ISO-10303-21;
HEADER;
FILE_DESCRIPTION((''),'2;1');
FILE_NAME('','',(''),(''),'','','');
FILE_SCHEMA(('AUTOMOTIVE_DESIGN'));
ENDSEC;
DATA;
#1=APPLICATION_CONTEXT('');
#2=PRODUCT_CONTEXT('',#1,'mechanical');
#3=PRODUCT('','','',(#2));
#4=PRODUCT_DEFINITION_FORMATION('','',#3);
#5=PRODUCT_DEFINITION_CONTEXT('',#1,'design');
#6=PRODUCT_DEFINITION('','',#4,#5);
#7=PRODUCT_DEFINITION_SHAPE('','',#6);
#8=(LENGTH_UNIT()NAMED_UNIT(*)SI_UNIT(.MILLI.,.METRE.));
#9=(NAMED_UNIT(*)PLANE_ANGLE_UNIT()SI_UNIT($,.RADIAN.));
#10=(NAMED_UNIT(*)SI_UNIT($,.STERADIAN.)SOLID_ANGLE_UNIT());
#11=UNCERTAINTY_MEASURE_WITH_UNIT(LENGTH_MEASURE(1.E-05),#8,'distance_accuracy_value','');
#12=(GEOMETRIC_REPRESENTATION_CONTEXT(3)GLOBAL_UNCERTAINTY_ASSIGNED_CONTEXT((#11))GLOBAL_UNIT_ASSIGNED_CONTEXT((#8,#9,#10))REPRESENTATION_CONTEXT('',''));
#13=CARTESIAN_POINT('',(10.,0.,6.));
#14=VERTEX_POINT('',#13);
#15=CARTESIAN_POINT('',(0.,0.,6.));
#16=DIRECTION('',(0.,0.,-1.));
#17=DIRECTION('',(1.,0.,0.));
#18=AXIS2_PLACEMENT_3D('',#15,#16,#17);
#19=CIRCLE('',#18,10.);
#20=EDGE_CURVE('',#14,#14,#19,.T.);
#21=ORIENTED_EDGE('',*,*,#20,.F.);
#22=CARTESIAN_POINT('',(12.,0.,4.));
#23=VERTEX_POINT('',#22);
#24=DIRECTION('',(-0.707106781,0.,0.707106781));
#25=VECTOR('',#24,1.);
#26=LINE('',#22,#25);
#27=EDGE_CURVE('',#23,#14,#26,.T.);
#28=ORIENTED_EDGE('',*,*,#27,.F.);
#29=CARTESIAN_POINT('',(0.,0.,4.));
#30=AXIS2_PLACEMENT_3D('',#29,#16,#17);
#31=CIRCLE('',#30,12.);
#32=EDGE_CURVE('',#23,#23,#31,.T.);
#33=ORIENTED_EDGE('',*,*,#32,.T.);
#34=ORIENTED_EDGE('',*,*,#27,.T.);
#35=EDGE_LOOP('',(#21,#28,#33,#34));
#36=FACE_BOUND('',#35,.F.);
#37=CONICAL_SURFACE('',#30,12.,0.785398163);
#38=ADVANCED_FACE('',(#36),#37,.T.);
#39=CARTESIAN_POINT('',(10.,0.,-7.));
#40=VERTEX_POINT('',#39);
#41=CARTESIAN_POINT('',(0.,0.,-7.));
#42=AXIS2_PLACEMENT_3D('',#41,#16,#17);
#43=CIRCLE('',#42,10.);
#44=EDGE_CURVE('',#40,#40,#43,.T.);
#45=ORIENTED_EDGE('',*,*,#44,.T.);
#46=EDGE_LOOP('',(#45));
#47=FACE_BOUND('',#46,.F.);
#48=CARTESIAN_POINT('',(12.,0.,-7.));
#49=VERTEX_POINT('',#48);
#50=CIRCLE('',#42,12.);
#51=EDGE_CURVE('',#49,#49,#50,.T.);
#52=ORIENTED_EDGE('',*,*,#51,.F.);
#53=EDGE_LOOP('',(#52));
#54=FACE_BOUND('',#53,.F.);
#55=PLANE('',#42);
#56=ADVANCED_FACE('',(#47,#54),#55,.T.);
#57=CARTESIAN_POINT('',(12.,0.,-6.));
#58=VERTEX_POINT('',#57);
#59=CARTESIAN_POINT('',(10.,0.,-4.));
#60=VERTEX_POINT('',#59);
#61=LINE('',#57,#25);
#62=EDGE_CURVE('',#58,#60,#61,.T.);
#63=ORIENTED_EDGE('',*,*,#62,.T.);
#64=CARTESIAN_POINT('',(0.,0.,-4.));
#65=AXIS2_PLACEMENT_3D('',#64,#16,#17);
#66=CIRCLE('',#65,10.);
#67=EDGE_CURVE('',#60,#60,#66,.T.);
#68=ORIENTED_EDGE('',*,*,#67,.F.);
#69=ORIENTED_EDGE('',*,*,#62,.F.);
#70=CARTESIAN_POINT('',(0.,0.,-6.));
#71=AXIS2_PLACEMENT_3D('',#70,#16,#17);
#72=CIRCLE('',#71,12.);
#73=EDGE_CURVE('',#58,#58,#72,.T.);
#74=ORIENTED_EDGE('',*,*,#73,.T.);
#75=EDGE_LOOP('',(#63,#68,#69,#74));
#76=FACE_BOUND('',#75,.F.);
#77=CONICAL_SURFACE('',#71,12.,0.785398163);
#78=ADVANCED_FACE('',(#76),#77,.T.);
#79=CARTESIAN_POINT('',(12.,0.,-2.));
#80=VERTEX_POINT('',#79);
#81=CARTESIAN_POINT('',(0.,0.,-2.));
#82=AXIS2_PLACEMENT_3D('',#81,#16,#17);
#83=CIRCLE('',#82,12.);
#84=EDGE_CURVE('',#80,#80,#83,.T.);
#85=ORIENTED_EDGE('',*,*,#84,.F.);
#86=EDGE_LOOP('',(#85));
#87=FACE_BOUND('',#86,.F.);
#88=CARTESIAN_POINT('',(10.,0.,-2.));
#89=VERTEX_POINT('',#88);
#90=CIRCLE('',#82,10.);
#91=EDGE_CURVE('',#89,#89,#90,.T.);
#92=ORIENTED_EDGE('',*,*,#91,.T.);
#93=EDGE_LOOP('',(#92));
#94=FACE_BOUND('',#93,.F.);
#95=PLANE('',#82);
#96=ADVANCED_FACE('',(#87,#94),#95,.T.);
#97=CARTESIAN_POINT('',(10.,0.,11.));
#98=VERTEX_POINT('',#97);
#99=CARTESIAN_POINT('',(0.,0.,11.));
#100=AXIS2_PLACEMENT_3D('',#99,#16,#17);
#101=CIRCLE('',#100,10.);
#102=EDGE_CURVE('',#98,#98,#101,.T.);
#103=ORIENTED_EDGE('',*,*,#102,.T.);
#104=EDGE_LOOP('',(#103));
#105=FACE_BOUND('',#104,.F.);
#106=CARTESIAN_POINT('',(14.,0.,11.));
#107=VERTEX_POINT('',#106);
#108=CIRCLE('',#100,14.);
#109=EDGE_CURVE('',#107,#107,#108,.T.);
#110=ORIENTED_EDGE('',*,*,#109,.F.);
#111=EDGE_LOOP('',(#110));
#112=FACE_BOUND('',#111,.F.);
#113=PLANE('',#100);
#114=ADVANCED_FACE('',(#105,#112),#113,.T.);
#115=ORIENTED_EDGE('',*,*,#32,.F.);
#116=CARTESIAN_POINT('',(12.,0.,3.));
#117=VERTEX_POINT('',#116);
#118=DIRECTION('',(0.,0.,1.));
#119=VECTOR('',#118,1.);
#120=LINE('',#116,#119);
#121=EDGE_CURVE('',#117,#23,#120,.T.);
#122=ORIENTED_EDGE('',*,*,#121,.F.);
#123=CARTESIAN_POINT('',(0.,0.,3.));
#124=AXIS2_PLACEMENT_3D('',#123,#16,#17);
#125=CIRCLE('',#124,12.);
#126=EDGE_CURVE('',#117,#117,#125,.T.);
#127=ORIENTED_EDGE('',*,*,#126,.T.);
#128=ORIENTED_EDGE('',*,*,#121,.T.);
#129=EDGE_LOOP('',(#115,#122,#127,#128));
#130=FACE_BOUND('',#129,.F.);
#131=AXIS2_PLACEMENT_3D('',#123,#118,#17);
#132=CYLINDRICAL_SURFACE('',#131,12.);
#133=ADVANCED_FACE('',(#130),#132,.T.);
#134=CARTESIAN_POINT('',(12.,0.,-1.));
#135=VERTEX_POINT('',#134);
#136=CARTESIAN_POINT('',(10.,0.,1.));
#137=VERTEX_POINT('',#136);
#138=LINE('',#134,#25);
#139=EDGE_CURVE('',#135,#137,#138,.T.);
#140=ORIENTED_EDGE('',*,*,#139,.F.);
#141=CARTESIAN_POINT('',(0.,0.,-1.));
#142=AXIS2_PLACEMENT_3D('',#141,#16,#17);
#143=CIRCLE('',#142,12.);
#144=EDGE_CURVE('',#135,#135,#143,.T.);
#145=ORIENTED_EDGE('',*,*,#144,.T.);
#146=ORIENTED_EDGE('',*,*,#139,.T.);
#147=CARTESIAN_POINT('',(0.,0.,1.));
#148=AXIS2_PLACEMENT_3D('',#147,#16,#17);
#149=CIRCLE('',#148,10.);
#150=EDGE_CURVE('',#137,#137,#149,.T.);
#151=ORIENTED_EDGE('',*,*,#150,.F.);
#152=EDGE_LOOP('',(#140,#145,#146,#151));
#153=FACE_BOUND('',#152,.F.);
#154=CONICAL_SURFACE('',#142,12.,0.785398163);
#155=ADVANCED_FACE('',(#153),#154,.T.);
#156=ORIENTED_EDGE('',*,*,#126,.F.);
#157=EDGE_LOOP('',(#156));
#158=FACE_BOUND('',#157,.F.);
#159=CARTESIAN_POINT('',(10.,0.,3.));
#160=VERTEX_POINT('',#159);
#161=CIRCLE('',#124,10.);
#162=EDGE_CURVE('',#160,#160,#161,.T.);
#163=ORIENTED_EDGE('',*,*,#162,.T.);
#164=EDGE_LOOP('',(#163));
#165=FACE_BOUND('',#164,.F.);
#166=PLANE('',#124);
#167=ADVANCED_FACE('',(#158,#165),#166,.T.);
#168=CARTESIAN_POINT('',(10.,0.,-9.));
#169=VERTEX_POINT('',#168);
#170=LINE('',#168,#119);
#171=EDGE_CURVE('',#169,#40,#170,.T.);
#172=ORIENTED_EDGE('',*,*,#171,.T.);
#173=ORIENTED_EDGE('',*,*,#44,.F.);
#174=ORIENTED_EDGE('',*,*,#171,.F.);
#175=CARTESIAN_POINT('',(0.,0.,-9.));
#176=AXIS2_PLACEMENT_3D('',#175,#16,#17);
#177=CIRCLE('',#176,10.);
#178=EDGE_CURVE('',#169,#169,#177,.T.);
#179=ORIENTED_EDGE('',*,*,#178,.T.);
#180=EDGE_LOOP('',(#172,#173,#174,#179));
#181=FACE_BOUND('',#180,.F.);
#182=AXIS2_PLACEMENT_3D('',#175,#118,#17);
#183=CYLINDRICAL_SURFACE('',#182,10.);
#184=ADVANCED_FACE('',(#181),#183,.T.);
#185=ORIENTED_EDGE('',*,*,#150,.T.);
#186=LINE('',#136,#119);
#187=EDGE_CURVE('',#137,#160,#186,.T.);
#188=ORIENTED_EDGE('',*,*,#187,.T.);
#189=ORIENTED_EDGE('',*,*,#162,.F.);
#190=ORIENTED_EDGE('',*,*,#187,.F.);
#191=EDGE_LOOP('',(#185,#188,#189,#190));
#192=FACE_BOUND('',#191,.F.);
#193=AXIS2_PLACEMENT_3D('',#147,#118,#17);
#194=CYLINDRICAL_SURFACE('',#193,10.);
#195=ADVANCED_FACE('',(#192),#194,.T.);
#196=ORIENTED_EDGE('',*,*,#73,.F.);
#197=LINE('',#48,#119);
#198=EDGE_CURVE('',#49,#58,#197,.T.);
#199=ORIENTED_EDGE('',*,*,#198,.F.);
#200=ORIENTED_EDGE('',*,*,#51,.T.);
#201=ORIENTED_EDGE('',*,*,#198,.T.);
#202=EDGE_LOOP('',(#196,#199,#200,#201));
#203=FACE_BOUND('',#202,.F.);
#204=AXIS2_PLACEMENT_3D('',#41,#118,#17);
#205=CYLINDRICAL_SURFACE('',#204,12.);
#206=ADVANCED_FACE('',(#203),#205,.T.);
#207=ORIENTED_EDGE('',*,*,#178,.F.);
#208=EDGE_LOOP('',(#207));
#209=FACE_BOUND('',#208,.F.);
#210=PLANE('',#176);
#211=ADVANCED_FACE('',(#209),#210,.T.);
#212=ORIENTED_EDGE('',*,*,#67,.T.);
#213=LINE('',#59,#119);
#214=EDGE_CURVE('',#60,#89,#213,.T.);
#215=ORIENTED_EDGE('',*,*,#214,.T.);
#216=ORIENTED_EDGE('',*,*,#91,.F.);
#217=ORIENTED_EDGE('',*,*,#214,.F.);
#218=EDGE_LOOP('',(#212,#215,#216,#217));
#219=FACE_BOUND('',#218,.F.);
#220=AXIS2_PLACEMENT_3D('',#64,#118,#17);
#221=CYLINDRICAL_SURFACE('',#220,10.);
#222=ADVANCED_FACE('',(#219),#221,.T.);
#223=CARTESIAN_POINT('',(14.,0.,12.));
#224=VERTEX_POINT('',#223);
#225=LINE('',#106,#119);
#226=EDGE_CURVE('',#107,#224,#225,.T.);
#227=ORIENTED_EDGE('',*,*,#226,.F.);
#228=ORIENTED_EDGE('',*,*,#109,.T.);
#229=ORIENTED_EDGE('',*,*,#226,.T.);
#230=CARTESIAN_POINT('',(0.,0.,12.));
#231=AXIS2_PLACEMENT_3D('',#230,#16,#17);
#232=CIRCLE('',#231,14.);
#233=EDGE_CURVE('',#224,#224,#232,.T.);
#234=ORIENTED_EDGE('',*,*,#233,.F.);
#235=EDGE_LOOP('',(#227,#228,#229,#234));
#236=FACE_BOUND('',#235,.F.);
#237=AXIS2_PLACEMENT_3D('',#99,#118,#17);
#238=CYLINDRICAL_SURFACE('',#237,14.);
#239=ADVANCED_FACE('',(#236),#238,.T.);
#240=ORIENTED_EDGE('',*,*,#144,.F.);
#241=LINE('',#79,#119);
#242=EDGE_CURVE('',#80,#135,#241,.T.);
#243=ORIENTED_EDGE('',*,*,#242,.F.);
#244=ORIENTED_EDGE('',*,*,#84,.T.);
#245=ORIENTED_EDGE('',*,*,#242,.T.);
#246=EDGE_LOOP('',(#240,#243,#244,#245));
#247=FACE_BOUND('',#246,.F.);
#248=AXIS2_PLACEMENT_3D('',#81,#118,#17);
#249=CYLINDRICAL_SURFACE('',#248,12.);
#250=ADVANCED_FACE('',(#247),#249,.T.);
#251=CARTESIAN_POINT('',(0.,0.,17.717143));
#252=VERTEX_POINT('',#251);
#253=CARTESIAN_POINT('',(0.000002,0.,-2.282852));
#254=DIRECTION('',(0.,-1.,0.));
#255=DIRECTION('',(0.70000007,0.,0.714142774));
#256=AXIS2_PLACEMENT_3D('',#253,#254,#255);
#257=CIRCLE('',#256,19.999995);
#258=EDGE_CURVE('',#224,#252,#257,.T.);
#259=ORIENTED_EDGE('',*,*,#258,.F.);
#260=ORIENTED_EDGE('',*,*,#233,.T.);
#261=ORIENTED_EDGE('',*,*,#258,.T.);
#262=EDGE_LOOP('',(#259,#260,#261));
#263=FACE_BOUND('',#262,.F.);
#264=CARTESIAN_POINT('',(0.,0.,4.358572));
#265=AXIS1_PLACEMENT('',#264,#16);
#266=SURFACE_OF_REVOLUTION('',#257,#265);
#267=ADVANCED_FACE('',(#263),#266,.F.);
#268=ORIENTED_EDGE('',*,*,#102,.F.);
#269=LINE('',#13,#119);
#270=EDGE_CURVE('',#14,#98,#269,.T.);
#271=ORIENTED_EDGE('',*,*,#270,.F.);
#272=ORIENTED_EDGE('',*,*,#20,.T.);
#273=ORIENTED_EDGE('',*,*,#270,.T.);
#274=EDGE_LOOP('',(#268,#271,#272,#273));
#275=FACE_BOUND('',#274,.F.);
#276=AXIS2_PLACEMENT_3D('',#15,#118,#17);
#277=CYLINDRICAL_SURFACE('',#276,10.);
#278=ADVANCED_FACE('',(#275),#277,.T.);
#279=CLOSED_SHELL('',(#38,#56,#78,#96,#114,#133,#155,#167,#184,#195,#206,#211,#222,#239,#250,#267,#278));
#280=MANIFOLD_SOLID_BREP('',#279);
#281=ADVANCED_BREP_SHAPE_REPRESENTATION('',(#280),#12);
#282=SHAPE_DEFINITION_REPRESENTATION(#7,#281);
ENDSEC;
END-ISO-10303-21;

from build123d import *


with BuildPart() as f1:
    # F0 (on Front) → F1 (revolve)
    with BuildSketch(Plane.XZ):
        with BuildLine():
            Line((0, -9), (10, -9))
            Line((10, -9), (10, -7))
            Line((10, -7), (12, -7))
            Line((12, -7), (12, -6))
            Line((12, -6), (10, -4))
            Line((10, -4), (10, -2))
            Line((10, -2), (12, -2))
            Line((12, -2), (12, -1))
            Line((12, -1), (10, 1))
            Line((10, 1), (10, 3))
            Line((10, 3), (12, 3))
            Line((12, 3), (12, 4))
            Line((12, 4), (10, 6))
            Line((10, 6), (10, 11))
            Line((10, 11), (14, 11))
            Line((14, 11), (14, 12))
            ThreePointArc((14, 12), (7.561179, 16.232774), (0, 17.717143))
            Line((0, 17.717143), (0, -9))
        make_face()
    revolve(axis=Axis((0, 0, 4.358572), (0, 0, -1)))


solid = f1.part
